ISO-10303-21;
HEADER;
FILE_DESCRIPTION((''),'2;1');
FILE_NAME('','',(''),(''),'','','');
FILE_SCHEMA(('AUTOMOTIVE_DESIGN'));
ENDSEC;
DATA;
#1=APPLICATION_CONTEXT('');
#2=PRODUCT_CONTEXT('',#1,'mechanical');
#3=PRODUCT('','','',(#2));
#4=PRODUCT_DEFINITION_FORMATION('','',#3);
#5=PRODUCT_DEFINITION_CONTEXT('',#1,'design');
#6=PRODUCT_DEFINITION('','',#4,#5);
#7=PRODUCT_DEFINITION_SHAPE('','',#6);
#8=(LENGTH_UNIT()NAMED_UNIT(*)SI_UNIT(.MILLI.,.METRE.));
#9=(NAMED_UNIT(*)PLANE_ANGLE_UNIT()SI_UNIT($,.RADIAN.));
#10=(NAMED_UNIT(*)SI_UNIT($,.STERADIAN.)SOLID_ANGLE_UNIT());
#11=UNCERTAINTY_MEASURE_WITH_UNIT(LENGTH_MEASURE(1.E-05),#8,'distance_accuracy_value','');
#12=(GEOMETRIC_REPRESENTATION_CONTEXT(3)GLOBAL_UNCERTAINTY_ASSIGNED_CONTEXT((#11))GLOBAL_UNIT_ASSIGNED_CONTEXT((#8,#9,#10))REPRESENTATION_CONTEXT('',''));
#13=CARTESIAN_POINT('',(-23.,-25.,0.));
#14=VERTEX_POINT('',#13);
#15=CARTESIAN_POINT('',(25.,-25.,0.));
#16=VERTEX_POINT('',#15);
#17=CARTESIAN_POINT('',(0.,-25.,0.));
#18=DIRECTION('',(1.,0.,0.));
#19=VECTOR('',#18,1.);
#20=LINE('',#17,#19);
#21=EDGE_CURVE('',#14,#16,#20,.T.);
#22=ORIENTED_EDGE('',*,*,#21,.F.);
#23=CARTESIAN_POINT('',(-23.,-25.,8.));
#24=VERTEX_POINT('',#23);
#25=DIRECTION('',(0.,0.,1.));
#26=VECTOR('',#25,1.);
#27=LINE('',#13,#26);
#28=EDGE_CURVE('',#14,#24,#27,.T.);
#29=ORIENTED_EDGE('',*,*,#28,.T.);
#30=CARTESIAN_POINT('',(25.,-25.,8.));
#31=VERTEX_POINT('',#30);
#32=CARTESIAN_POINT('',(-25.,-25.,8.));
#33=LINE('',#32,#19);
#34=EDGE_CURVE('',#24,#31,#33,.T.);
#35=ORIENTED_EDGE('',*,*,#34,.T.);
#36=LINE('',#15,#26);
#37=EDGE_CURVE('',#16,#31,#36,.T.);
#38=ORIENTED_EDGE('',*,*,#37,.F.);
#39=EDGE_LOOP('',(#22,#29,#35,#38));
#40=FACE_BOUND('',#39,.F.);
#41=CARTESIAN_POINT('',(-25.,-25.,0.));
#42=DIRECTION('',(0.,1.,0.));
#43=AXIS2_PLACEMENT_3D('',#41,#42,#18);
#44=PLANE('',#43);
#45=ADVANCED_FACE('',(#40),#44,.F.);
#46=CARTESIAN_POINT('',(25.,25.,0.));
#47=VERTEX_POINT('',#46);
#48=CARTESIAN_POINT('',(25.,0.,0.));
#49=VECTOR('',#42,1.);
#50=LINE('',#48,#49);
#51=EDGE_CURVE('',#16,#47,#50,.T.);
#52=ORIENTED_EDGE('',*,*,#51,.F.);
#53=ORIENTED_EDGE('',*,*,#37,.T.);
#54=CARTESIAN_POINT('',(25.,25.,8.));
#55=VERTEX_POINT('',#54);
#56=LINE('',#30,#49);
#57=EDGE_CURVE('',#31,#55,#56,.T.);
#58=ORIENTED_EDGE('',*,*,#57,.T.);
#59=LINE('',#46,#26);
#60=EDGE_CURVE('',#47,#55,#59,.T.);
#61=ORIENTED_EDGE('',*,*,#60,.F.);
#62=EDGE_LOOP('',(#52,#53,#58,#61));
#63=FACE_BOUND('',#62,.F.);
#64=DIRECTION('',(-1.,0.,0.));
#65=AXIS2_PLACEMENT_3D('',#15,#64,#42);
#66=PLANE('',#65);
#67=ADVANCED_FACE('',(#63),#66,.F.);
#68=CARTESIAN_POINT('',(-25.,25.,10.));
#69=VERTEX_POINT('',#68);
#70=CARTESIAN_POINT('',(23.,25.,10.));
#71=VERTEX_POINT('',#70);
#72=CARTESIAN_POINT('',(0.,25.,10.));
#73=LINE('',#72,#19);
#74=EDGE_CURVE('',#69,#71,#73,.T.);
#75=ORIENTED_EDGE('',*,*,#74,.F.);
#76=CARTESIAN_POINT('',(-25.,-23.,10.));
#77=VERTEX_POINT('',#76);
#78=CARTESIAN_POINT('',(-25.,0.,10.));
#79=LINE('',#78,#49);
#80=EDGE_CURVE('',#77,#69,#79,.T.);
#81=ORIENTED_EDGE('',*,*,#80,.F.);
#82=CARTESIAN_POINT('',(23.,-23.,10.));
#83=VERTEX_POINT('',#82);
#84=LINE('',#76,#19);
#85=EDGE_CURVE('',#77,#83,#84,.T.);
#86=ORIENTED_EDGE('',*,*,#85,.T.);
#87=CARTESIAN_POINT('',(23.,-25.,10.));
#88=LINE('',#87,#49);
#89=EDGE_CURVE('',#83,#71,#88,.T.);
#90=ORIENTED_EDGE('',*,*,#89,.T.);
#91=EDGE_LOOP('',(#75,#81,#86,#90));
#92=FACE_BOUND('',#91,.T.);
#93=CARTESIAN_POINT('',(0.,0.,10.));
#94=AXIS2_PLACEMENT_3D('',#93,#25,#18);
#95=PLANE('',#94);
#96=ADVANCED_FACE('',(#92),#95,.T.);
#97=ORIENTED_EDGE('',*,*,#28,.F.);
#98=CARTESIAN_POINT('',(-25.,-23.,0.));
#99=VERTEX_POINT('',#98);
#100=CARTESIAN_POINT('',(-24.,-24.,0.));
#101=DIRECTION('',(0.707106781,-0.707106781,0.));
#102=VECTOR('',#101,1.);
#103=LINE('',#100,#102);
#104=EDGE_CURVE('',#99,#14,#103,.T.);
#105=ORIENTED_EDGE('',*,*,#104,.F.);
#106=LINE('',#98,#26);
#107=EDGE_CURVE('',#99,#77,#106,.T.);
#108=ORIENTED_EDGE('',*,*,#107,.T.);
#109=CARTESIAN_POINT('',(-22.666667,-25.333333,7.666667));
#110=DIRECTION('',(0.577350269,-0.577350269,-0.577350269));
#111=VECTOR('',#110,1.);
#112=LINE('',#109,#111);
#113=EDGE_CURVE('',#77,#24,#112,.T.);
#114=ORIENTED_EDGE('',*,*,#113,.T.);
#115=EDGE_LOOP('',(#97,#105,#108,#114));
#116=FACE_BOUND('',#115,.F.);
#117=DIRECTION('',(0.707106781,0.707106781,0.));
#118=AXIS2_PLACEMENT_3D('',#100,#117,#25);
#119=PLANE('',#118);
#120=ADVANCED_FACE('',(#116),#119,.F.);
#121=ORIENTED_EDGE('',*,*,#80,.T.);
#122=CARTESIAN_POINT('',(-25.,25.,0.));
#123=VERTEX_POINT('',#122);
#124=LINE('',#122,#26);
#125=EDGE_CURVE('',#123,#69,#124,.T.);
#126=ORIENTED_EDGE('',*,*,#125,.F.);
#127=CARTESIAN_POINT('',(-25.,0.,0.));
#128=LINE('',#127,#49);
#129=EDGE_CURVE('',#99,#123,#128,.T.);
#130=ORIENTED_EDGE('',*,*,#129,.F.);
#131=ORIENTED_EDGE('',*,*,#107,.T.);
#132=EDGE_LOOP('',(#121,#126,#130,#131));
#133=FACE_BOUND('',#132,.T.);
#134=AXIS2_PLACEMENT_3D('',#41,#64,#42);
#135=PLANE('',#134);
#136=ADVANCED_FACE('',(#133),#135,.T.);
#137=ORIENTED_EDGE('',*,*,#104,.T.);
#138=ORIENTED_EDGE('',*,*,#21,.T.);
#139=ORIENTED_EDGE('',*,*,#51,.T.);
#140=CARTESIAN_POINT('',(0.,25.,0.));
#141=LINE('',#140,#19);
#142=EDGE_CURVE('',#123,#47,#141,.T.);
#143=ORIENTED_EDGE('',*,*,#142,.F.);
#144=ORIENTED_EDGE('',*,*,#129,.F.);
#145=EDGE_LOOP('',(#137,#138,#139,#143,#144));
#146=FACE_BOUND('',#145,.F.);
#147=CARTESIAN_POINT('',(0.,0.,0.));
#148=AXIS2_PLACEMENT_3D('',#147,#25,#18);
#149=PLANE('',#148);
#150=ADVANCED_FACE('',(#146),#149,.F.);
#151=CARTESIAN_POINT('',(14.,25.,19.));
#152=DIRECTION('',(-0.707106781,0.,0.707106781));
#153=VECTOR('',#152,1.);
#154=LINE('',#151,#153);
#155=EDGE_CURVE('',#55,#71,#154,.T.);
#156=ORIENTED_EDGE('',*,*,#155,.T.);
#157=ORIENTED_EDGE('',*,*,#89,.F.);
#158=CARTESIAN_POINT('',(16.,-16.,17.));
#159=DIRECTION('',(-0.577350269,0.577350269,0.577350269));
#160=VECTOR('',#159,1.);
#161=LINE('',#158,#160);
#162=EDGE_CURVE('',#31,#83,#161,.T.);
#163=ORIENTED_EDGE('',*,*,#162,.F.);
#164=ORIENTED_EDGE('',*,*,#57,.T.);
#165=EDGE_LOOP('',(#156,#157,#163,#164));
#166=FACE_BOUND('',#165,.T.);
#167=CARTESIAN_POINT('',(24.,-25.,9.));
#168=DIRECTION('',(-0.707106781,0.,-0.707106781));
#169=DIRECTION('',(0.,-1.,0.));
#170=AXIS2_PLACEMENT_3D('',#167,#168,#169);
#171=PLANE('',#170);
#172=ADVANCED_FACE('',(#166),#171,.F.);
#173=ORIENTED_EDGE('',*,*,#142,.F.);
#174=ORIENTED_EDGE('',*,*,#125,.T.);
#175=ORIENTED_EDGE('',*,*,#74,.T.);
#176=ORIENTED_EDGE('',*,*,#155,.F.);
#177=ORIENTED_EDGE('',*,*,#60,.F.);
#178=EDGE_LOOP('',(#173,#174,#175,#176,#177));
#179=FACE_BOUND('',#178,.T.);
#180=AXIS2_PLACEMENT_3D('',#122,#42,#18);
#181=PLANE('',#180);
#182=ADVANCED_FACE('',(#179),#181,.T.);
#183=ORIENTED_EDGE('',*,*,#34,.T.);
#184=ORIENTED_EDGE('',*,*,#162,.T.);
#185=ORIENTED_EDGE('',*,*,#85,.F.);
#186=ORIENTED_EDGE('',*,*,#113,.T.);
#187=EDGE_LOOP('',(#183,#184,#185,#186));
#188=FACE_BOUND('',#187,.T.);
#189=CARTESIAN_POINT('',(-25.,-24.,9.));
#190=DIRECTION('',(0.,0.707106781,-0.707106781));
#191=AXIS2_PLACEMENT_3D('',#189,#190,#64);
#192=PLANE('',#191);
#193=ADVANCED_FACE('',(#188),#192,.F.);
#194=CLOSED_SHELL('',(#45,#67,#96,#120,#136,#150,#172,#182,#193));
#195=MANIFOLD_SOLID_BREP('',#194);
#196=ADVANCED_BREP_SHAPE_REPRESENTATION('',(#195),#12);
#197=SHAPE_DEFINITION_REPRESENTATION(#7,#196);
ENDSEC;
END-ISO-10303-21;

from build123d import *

# Parameters (mm, degrees)
SKETCH_W        = 50
SKETCH_H        = 50
PAD_DEPTH       = 10
CHAMFER_SIZE    = 2
CHAMFER001_SIZE = 2


with BuildPart() as part:
    # Sketch → Pad (new body)
    with BuildSketch(Plane.XY):
        Rectangle(SKETCH_W, SKETCH_H)
    extrude(amount=PAD_DEPTH)

    # Chamfer
    chamfer_edges = [part.edges().sort_by_distance(p)[0] for p in [
        (0, -25, 10),
        (25, 0, 10),
    ]]
    chamfer(chamfer_edges, length=CHAMFER_SIZE)

    # Chamfer001
    chamfer001_edges = [part.edges().sort_by_distance(p)[0] for p in [
        (-25, -25, 4),
    ]]
    chamfer(chamfer001_edges, length=CHAMFER001_SIZE)


solid = part.part
